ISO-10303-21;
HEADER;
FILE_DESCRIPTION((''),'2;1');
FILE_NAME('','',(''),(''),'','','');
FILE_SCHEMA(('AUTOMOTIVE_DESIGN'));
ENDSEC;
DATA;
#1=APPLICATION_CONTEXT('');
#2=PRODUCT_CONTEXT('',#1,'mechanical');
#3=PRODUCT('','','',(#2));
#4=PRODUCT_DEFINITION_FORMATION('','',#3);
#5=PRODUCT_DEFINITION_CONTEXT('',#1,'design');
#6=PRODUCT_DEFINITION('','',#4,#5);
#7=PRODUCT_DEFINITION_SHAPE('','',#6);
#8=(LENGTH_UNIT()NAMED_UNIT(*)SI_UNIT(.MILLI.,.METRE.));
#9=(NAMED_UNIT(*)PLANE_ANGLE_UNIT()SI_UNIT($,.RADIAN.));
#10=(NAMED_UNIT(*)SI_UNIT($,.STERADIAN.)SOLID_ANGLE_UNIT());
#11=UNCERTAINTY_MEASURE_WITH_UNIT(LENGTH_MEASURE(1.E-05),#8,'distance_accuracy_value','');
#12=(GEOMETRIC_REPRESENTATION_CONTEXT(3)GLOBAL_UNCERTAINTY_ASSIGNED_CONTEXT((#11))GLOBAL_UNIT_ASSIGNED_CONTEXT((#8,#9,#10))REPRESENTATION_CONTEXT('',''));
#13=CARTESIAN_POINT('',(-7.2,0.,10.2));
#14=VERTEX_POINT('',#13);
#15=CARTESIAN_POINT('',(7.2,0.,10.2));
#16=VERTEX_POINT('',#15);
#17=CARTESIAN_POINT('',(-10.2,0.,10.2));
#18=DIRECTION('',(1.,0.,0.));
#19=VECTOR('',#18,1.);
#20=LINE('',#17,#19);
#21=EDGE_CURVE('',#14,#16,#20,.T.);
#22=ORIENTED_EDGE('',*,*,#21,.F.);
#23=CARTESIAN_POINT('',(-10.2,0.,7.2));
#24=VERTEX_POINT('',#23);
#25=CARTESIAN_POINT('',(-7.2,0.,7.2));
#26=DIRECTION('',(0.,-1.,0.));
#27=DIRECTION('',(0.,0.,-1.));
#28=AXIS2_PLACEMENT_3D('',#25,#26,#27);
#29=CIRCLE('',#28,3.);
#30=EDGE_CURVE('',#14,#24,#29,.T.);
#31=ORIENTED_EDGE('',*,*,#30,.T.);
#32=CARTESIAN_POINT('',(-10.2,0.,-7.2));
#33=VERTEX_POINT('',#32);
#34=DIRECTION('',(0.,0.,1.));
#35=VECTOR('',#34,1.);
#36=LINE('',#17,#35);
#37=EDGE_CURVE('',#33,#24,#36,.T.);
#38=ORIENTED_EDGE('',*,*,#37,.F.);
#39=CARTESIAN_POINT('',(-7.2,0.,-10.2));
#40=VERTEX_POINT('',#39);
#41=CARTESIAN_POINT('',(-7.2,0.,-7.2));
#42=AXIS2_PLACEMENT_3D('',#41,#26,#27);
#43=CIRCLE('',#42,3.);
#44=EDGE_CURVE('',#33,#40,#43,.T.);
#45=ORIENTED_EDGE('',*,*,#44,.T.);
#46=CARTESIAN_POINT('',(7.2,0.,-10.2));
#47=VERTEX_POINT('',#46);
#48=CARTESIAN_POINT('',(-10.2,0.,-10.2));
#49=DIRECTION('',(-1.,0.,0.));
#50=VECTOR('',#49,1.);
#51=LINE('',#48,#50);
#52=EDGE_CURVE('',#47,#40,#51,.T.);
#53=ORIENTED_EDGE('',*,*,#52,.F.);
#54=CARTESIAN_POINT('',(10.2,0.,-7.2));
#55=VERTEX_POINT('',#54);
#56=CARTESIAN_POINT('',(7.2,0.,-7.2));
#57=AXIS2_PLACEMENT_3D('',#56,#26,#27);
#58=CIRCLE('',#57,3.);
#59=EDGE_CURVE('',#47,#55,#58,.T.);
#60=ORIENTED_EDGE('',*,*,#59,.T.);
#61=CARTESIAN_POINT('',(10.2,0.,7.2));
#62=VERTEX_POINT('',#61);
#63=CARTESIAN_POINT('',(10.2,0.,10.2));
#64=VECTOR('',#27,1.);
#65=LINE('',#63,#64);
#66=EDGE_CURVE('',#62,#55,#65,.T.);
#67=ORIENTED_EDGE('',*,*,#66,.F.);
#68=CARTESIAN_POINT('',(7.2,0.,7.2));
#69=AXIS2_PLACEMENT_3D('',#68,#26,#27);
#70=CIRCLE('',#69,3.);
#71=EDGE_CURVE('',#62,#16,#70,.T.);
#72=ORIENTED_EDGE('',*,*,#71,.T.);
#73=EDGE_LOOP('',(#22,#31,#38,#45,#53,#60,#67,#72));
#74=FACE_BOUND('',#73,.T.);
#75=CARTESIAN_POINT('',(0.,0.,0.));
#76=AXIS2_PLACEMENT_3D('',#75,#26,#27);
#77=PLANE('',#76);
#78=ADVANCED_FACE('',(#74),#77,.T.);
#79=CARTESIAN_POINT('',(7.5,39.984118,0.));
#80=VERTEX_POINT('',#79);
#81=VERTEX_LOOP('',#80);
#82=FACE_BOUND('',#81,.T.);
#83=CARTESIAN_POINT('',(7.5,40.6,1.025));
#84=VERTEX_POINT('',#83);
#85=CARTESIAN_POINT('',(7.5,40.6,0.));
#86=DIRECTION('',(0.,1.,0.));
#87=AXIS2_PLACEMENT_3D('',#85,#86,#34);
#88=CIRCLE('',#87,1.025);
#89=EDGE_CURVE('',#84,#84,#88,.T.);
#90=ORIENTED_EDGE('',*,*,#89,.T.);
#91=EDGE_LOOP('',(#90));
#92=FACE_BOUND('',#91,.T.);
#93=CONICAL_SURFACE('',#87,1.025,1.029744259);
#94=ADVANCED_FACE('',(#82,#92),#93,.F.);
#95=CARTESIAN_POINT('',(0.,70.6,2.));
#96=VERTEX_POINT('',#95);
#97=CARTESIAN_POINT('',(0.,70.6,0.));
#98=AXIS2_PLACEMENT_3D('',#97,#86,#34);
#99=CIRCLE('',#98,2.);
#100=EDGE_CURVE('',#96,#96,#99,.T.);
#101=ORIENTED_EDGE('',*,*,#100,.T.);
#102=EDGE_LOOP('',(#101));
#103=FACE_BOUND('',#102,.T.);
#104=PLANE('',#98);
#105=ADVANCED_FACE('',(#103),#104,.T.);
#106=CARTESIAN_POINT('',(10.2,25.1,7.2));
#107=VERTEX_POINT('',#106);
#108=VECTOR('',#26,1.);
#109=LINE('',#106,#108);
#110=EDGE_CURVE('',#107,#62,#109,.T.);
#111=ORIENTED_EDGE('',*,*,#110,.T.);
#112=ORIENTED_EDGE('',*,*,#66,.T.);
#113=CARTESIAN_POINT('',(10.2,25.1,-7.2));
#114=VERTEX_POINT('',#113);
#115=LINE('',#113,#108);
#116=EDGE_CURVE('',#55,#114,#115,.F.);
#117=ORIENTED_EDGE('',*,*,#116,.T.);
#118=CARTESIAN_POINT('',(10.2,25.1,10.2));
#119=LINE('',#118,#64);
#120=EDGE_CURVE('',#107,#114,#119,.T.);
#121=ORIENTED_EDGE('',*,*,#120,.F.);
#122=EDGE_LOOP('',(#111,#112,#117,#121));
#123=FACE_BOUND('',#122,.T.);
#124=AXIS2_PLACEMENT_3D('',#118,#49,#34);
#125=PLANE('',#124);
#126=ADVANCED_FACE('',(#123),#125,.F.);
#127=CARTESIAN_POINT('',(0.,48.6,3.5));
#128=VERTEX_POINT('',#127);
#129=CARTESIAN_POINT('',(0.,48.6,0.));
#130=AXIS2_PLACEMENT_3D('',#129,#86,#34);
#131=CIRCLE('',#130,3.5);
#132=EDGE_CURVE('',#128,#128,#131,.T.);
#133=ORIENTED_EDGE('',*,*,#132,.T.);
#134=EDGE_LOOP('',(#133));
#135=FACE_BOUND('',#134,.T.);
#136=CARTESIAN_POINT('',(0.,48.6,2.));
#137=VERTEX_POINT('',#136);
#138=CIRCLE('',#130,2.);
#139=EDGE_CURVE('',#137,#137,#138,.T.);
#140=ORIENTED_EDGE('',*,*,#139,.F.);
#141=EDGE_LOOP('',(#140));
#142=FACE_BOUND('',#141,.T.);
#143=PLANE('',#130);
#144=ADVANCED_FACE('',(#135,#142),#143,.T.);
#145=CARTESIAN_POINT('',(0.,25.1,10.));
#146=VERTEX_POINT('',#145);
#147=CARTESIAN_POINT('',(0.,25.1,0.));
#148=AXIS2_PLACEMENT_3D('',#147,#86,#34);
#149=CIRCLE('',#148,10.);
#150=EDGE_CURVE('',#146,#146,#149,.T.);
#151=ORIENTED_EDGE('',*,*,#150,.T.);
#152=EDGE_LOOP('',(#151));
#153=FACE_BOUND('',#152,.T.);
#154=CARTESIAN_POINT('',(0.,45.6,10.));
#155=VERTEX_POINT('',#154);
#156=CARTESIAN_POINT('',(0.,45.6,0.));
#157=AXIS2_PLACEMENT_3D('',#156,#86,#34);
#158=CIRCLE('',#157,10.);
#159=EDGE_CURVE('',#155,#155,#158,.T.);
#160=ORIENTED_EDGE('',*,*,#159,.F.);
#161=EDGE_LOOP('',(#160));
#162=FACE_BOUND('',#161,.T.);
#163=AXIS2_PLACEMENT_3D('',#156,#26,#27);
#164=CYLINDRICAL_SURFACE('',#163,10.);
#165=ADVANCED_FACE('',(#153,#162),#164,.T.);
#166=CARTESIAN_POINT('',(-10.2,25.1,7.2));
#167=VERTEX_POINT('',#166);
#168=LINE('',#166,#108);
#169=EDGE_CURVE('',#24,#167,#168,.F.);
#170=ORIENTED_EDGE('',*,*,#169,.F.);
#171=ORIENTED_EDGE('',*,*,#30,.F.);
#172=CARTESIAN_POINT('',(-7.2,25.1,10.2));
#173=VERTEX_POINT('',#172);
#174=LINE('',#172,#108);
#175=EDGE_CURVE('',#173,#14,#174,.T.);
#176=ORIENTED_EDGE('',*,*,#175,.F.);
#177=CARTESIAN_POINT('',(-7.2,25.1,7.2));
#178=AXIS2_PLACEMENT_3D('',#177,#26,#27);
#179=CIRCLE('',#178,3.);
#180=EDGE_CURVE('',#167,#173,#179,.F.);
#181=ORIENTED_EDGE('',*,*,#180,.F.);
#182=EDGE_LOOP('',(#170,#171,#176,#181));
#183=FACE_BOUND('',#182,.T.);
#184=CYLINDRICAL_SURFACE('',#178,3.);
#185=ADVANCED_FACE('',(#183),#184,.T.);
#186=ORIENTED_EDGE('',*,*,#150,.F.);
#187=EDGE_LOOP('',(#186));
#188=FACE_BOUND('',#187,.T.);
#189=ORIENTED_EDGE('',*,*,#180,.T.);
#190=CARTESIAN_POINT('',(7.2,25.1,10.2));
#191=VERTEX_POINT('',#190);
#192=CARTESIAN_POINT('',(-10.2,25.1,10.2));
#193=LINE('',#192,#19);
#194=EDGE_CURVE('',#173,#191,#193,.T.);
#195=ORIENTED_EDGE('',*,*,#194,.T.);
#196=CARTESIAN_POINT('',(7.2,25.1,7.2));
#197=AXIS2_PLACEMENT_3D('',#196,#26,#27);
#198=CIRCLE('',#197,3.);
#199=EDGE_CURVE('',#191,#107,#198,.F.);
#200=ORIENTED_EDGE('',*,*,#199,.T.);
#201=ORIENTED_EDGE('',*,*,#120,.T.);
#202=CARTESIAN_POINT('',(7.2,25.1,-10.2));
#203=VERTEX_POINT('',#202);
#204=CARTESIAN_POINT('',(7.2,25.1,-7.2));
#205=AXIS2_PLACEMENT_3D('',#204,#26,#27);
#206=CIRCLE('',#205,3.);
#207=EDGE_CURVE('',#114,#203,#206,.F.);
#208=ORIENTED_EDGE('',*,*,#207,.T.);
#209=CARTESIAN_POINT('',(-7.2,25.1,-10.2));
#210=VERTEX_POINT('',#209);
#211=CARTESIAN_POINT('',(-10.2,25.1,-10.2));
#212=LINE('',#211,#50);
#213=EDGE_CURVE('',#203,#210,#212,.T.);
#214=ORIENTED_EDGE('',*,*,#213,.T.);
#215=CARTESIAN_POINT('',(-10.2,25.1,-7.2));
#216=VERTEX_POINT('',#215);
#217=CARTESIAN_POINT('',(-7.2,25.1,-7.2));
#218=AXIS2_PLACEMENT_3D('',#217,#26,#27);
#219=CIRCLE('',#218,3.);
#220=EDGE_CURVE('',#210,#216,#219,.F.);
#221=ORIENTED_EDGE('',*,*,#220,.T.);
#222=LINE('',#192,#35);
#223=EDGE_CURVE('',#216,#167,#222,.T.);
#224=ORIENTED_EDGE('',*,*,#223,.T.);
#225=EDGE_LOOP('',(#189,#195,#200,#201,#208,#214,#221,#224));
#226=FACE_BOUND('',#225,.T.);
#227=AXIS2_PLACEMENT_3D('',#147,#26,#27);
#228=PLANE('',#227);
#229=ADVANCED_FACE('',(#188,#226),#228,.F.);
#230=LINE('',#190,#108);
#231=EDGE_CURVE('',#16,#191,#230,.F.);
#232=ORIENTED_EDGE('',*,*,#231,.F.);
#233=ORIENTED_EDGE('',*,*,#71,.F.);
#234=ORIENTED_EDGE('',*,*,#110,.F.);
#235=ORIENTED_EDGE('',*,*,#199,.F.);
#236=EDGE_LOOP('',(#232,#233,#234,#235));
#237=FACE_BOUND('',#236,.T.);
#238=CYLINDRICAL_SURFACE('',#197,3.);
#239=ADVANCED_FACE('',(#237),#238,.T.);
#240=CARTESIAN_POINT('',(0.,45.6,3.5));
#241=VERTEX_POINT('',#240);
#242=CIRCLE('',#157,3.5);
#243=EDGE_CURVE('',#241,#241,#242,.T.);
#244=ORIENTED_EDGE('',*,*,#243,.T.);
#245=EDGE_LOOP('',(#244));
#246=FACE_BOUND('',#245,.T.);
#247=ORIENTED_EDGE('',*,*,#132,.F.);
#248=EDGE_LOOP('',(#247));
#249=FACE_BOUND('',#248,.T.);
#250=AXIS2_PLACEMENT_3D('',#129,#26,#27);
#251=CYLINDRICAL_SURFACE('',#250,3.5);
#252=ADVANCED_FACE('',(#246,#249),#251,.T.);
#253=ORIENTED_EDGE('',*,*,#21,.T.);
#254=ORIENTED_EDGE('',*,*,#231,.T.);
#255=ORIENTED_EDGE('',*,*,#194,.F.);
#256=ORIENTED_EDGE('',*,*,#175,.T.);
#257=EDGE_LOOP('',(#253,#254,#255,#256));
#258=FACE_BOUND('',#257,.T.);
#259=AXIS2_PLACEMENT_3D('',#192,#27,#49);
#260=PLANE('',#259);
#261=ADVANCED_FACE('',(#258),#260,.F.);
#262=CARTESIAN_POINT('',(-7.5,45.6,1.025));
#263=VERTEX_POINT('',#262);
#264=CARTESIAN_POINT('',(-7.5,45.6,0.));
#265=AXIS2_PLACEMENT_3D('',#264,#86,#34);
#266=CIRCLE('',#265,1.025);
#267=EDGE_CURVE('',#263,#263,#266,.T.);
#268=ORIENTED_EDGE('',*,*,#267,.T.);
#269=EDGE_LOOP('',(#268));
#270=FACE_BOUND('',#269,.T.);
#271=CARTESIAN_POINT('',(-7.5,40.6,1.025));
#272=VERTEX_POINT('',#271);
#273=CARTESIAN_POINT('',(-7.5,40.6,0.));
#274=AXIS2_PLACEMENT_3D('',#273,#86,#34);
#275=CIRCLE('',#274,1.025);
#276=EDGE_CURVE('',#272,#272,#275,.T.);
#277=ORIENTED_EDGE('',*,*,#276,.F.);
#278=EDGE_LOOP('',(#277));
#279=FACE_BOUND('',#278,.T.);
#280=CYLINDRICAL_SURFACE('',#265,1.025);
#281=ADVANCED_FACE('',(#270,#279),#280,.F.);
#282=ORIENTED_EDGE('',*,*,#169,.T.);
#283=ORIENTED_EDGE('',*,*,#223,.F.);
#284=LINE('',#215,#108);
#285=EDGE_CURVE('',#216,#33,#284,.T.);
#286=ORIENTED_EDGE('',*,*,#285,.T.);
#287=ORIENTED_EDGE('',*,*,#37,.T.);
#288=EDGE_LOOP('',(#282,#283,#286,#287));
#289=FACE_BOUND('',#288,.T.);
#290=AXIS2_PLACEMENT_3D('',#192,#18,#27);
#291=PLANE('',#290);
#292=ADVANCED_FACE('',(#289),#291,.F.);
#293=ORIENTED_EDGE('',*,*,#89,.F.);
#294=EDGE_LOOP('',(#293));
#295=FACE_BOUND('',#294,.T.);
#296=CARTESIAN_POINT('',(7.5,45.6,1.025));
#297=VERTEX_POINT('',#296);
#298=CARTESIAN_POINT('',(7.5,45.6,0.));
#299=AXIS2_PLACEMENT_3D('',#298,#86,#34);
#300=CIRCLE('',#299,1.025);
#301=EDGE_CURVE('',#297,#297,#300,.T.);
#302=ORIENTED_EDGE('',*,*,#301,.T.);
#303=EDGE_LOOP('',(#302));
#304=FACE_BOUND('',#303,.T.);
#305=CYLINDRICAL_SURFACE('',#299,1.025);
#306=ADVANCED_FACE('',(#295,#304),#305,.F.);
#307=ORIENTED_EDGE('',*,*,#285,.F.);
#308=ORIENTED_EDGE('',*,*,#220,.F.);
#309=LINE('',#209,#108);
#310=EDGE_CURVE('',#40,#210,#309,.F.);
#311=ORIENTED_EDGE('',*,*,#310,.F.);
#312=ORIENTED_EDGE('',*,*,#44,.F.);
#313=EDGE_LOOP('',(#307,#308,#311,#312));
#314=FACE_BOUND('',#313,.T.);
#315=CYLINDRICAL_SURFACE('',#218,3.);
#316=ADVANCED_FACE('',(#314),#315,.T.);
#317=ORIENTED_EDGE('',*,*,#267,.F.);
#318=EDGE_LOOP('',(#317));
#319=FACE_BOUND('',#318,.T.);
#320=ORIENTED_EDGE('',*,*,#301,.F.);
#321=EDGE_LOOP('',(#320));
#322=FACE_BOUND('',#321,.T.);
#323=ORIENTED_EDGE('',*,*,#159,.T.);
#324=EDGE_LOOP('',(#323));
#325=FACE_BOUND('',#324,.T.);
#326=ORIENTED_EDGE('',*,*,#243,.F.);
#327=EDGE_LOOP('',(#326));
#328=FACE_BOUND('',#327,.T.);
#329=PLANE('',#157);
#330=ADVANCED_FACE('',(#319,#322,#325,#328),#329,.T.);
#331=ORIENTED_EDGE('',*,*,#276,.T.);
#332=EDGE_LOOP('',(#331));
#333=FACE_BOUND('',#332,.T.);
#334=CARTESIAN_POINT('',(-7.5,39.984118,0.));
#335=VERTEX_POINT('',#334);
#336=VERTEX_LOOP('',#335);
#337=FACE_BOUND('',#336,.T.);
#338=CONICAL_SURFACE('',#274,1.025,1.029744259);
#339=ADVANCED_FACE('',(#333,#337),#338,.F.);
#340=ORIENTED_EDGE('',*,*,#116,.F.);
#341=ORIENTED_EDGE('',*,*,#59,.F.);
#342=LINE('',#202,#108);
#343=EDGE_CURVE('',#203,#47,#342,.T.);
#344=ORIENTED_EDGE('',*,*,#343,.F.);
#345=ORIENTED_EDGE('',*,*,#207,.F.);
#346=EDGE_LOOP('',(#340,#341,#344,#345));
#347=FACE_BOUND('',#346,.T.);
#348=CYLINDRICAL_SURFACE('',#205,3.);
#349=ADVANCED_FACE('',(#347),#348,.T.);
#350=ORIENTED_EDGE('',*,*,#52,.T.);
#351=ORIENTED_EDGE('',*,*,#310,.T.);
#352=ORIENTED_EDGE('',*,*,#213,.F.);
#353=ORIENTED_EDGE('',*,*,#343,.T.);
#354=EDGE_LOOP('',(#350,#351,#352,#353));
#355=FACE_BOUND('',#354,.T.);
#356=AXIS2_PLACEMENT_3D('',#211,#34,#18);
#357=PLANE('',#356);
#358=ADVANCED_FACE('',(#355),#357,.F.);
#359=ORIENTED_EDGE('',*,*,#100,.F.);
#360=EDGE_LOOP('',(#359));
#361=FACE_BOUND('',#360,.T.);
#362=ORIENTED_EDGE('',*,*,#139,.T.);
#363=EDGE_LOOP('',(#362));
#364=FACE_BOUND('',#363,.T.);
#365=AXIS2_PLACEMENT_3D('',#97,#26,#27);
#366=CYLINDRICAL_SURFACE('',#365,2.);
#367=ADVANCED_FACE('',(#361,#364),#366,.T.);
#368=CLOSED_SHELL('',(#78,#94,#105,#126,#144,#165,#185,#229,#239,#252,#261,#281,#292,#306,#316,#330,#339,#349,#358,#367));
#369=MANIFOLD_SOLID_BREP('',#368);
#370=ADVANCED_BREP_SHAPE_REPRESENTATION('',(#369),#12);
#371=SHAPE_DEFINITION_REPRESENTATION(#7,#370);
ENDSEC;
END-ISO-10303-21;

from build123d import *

# Parameters (mm, degrees)
SKETCH2_W               = 20.4
SKETCH2_H               = 20.4
BOSS_EXTRUDE1_DEPTH     = 25.1
SKETCH3_R               = 10
BOSS_EXTRUDE2_DEPTH     = 20.5
SKETCH4_R               = 3.5
BOSS_EXTRUDE3_DEPTH     = 3
SKETCH5_R               = 2
BOSS_EXTRUDE4_DEPTH     = 22
M2_5_TAPPED_HOLE1_D     = 2.05
M2_5_TAPPED_HOLE1_DEPTH = 5
M2_5_TAPPED_HOLE1_TIP   = 0.615882135
FILLET1_R               = 3


with BuildPart() as part:
    # Sketch2 → Boss-Extrude1 (new body)
    with BuildSketch(Plane(origin=(0, 0, 0), x_dir=(1, 0, 0), z_dir=(0, 1, 0))):
        Rectangle(SKETCH2_W, SKETCH2_H)
    extrude(amount=BOSS_EXTRUDE1_DEPTH)

    # Sketch3 → Boss-Extrude2 (add)
    with BuildSketch(Plane(origin=(0, 25.1, 0), x_dir=(1, 0, 0), z_dir=(0, 1, 0))):
        with Locations(Location((0, 0, 0), (0, 0, 270))):
            Circle(SKETCH3_R)
    extrude(amount=BOSS_EXTRUDE2_DEPTH)

    # Sketch4 → Boss-Extrude3 (add)
    with BuildSketch(Plane(origin=(0, 45.6, 0), x_dir=(1, 0, 0), z_dir=(0, 1, 0))):
        with Locations(Location((0, 0, 0), (0, 0, 270))):
            Circle(SKETCH4_R)
    extrude(amount=BOSS_EXTRUDE3_DEPTH)

    # Sketch5 → Boss-Extrude4 (add)
    with BuildSketch(Plane(origin=(0, 48.6, 0), x_dir=(1, 0, 0), z_dir=(0, 1, 0))):
        with Locations(Location((0, 0, 0), (0, 0, 270))):
            Circle(SKETCH5_R)
    extrude(amount=BOSS_EXTRUDE4_DEPTH)

    # M2.5 Tapped Hole1
    with Locations(Plane(origin=(0, 45.6, 0), x_dir=(1, 0, 0), z_dir=(0, 1, 0))):
        with Locations((-7.5, 0), (7.5, 0)):
            Hole(M2_5_TAPPED_HOLE1_D / 2, depth=M2_5_TAPPED_HOLE1_DEPTH)
            with Locations((0, 0, -(M2_5_TAPPED_HOLE1_DEPTH + M2_5_TAPPED_HOLE1_TIP / 2))):  # 118° drill point
                Cone(0, M2_5_TAPPED_HOLE1_D / 2, M2_5_TAPPED_HOLE1_TIP, mode=Mode.SUBTRACT)

    # Fillet1
    fillet1_edges = [part.edges().sort_by_distance(p)[0] for p in [
        (10.2, 12.55, 10.2),
        (-10.2, 12.55, 10.2),
        (-10.2, 12.55, -10.2),
        (10.2, 12.55, -10.2),
    ]]
    fillet(fillet1_edges, radius=FILLET1_R)


solid = part.part
